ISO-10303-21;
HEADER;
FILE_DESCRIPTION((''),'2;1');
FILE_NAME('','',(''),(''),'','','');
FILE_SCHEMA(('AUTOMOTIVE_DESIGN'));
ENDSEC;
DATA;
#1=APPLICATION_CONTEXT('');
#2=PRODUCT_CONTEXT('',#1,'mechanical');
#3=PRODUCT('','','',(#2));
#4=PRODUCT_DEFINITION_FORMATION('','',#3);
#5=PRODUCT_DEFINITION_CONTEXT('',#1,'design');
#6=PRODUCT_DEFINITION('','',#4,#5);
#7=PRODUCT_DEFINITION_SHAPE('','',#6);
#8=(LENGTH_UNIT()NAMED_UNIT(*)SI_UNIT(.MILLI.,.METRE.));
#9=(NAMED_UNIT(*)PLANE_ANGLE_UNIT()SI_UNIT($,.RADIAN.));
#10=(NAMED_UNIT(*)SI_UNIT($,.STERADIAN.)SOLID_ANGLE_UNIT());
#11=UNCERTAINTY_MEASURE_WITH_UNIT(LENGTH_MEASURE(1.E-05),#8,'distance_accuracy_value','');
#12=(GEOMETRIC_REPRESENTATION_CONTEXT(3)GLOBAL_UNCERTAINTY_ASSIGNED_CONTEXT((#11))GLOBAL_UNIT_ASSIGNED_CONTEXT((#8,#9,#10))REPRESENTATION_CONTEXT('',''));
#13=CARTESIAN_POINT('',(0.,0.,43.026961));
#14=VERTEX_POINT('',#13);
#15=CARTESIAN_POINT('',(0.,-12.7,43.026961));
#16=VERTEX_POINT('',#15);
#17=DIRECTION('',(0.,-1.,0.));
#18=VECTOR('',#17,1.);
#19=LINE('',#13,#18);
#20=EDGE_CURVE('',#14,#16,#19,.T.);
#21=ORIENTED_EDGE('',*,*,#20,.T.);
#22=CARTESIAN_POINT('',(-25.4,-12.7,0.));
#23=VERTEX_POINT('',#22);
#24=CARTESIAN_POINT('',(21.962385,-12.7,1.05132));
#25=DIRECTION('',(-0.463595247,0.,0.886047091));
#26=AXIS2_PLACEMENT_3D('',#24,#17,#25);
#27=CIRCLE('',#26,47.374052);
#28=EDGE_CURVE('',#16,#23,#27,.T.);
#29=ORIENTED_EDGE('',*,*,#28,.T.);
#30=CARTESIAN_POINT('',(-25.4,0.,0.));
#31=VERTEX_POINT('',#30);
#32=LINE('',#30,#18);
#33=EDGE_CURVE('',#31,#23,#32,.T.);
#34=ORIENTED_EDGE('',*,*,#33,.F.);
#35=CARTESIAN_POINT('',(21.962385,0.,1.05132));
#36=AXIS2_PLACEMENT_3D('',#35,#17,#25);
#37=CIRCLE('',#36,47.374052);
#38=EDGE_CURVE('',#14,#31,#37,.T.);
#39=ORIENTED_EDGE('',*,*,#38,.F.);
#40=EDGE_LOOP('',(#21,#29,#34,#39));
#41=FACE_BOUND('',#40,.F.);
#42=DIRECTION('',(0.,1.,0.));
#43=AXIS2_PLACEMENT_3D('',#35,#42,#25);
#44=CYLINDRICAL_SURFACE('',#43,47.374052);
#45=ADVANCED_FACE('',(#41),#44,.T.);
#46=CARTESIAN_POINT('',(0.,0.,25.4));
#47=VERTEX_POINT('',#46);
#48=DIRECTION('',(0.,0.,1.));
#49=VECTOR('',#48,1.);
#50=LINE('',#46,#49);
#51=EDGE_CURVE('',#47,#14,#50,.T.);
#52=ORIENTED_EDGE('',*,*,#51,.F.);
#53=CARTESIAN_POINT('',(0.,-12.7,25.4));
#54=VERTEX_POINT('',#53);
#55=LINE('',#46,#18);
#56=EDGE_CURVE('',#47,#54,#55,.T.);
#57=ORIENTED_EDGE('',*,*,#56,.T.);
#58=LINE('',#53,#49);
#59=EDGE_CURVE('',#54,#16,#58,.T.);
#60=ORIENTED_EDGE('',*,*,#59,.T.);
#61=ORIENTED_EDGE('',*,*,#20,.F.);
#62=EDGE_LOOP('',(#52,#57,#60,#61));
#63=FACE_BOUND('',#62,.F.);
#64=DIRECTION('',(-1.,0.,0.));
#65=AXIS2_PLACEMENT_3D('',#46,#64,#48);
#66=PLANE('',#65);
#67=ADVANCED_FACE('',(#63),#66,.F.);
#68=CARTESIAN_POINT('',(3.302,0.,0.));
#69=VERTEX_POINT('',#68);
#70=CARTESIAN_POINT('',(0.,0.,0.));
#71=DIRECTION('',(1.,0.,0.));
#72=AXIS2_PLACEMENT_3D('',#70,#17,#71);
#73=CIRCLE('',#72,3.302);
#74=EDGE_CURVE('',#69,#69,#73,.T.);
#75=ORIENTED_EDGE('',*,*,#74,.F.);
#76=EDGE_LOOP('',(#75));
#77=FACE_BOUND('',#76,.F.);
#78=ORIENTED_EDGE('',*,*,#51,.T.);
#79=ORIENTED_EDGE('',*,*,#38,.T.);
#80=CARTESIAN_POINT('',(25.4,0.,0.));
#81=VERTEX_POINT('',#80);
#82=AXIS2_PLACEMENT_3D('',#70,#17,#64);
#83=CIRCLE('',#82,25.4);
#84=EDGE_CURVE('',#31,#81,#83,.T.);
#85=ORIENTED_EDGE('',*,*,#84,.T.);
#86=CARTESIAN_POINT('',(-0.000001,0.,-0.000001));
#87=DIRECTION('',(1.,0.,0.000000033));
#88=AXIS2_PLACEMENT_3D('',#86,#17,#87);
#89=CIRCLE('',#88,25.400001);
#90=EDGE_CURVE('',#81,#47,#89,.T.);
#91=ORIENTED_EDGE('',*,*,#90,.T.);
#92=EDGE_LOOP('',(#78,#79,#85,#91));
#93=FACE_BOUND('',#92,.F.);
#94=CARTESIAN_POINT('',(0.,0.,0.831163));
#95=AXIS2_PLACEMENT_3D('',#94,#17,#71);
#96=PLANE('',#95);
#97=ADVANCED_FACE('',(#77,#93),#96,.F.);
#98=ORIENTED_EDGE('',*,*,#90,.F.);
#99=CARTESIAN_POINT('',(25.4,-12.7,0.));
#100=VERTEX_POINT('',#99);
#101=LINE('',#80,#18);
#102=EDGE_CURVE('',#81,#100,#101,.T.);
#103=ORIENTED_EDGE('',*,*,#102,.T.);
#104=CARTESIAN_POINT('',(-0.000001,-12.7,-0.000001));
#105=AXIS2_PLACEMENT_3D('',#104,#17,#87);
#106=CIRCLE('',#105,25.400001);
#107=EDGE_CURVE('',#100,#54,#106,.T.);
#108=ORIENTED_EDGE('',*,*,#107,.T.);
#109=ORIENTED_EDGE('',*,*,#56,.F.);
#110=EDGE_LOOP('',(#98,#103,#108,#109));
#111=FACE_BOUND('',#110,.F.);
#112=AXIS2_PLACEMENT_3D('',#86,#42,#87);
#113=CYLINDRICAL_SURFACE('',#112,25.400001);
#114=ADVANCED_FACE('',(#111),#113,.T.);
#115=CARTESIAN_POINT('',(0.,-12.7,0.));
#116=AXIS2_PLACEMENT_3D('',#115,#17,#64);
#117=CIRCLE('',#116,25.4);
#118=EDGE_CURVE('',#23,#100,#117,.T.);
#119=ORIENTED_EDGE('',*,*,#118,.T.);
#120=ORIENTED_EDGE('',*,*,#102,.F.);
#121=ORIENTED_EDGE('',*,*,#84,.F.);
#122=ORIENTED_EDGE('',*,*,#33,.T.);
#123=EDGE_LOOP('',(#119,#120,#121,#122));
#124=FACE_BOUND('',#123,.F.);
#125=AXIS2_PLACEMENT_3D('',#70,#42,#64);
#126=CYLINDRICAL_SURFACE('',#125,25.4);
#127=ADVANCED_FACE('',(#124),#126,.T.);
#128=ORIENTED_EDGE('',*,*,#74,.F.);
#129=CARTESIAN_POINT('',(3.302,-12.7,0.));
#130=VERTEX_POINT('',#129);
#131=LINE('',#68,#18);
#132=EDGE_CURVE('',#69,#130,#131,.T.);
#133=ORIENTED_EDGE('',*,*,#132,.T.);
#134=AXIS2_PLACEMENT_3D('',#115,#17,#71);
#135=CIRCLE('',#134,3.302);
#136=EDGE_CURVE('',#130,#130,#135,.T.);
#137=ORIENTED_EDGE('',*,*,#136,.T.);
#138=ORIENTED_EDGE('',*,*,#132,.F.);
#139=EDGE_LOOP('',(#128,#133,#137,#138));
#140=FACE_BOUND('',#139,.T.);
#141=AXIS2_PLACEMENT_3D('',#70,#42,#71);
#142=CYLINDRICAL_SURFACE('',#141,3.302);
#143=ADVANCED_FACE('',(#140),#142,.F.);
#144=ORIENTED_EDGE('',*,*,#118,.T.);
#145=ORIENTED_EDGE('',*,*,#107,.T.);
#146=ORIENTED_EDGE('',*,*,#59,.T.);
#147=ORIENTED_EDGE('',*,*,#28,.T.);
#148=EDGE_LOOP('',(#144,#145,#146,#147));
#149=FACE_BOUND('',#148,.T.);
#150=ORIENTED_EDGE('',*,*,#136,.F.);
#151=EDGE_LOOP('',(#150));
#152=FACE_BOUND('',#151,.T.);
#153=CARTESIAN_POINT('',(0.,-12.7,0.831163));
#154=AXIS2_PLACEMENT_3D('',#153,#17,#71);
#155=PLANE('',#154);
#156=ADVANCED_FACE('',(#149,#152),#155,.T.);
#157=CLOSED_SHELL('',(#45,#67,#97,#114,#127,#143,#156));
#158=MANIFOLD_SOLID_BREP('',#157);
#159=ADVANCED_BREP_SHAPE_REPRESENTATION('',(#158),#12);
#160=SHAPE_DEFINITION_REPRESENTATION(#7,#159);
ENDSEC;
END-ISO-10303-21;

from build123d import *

# Parameters (mm, degrees)
F0_R     = 3.302
F1_DEPTH = 12.7


with BuildPart() as f1:
    # F0 (on Front) → F1 (new body)
    with BuildSketch(Plane.XZ):
        with BuildLine():
            ThreePointArc((-25.4, 0), (0, -25.4), (25.4, 0))
            ThreePointArc((25.4, 0), (17.960512, 17.960512), (0, 25.4))
            ThreePointArc((0, 25.4), (-17.960512, 17.960512), (-25.4, 0))
        make_face()
        Circle(F0_R, mode=Mode.SUBTRACT)
        with BuildLine():
            ThreePointArc((-25.4, 0), (-17.960512, 17.960512), (0, 25.4))
            Line((0, 25.4), (0, 43.026961))
            ThreePointArc((0, 43.026961), (-18.83358, 25.134302), (-25.4, 0))
        make_face()
    extrude(amount=F1_DEPTH)


solid = f1.part
